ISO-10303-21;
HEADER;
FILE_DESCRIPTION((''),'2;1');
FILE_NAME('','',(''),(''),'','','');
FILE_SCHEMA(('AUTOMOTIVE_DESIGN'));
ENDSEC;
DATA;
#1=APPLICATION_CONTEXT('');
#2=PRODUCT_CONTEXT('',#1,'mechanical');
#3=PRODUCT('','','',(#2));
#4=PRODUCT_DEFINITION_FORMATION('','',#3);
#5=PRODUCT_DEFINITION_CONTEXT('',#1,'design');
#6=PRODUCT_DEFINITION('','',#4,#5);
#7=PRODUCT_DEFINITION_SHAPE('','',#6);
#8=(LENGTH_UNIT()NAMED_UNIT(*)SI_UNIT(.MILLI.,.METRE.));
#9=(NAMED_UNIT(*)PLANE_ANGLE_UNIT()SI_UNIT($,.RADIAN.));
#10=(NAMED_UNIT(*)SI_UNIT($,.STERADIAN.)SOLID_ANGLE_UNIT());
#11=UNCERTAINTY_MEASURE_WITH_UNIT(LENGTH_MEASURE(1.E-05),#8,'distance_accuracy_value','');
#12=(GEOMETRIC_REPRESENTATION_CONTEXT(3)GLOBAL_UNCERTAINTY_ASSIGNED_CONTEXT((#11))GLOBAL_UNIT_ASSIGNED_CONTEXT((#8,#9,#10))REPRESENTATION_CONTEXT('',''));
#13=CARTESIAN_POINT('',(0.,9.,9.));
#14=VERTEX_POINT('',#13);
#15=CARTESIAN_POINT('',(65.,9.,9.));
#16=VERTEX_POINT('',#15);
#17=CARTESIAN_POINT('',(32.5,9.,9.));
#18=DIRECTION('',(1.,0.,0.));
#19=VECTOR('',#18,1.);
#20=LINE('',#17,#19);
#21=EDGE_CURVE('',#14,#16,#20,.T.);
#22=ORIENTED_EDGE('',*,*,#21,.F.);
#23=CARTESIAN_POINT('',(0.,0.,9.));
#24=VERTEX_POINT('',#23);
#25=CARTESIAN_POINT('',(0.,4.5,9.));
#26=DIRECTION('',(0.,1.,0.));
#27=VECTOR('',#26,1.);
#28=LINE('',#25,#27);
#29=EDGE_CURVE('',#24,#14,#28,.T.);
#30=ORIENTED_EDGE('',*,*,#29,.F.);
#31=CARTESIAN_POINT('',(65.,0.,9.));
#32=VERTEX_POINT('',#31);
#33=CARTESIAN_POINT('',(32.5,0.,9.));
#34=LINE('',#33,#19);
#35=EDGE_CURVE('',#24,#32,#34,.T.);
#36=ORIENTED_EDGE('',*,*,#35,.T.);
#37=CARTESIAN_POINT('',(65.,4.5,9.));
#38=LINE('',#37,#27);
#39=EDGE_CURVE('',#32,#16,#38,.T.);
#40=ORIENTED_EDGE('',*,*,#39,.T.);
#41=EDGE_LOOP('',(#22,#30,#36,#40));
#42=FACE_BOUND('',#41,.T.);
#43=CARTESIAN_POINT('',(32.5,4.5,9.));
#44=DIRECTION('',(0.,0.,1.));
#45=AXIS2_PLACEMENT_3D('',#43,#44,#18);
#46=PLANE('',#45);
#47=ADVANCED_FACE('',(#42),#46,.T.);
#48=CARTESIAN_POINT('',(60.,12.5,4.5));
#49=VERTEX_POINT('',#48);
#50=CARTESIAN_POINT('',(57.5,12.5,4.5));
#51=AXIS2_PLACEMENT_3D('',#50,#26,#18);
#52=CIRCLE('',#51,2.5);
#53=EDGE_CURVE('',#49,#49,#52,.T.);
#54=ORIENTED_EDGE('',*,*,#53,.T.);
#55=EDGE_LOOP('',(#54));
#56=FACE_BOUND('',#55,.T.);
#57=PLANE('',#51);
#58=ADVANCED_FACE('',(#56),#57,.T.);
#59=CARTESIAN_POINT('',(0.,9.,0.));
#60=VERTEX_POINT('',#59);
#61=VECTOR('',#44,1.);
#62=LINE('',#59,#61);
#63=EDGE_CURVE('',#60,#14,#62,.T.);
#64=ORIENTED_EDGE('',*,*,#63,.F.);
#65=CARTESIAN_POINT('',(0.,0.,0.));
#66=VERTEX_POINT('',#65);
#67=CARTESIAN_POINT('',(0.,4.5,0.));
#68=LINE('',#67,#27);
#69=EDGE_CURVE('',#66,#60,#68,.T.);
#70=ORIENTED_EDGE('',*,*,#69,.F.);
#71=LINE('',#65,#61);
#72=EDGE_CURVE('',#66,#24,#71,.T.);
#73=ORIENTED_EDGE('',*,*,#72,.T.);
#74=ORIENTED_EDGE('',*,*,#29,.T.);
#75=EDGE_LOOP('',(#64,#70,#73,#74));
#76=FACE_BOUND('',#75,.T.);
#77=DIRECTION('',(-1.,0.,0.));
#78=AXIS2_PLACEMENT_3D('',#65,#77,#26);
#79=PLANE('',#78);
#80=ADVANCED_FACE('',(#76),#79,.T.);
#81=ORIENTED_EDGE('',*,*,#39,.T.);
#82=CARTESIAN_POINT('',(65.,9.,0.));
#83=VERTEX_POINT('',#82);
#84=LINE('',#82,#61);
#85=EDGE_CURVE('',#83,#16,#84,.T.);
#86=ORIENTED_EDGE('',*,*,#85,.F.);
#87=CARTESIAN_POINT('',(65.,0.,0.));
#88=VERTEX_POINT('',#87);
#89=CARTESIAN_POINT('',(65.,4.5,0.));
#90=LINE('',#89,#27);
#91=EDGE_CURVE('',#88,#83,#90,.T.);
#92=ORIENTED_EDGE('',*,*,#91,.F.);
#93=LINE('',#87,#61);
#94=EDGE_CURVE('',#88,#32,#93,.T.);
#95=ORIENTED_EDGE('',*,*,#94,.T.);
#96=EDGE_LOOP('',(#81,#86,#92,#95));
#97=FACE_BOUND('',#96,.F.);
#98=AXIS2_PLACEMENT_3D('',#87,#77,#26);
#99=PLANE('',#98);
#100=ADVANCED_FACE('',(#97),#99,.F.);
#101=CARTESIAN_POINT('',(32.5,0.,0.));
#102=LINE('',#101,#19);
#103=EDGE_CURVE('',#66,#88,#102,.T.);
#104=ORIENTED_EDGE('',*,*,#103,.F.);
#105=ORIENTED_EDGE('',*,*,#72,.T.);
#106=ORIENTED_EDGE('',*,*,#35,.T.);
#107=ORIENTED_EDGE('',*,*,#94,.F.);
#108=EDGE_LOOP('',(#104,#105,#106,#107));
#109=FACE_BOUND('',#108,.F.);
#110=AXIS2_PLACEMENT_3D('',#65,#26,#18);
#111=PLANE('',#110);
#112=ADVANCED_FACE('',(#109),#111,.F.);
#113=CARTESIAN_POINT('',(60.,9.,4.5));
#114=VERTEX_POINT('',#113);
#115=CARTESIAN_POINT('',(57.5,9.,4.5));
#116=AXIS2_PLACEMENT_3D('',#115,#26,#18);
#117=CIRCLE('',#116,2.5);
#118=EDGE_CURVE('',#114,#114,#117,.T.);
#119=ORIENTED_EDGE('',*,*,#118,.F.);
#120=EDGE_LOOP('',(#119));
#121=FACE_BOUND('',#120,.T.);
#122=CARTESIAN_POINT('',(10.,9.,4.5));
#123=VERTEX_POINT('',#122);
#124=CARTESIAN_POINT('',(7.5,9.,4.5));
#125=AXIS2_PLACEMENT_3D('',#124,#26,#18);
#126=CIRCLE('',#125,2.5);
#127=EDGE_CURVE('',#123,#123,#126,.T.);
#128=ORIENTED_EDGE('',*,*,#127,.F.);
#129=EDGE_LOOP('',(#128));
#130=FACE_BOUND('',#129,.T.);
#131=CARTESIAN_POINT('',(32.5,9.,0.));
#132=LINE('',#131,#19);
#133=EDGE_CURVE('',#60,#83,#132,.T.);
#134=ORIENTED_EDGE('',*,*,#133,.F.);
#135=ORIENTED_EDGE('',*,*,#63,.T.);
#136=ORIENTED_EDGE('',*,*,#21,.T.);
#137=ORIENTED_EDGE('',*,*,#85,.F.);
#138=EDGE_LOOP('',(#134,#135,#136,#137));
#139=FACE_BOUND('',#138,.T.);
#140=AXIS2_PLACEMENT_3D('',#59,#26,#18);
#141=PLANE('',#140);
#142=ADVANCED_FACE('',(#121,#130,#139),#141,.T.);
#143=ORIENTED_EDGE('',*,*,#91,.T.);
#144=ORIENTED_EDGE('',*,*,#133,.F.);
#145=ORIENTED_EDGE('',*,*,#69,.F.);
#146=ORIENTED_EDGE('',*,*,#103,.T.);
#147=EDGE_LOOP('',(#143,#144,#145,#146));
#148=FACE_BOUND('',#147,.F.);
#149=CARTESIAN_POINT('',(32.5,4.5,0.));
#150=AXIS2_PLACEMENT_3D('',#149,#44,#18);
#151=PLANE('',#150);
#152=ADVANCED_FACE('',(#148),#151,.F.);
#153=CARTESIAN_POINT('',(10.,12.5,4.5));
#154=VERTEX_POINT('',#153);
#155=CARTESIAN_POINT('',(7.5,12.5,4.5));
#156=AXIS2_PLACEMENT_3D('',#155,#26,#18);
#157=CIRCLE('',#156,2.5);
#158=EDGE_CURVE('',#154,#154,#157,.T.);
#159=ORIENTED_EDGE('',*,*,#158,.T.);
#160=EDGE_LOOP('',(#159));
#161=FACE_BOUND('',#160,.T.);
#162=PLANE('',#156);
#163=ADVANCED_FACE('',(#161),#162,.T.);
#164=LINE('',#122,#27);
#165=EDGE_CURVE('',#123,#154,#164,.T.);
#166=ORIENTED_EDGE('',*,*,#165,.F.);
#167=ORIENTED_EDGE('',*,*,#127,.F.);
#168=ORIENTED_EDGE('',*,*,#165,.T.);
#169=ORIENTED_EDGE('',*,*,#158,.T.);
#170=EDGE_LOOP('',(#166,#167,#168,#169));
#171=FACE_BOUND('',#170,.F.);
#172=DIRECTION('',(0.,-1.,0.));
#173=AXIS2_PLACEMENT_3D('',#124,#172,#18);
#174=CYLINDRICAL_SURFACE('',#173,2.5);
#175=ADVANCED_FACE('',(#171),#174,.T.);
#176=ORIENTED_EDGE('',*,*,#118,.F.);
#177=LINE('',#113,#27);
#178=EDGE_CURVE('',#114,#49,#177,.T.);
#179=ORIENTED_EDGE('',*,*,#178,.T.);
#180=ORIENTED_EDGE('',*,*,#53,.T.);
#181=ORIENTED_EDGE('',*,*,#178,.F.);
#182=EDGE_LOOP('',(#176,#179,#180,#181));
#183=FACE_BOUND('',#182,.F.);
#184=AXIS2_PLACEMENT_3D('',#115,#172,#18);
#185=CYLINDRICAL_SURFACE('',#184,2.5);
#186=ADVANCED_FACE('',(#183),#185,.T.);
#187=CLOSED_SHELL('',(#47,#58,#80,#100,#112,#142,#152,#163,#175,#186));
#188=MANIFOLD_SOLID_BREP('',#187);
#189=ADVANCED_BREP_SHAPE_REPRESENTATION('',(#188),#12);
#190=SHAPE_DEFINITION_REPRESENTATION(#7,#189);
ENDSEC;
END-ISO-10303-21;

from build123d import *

# Parameters (mm, degrees)
SKETCH1_W           = 65
SKETCH1_H           = 9
BOSS_EXTRUDE1_DEPTH = 9
SKETCH2_R           = 2.5
BOSS_EXTRUDE2_DEPTH = 3.5


with BuildPart() as part:
    # Sketch1 → Boss-Extrude1 (new body)
    with BuildSketch(Plane.XY):
        with Locations((32.5, 4.5)):
            Rectangle(SKETCH1_W, SKETCH1_H)
    extrude(amount=BOSS_EXTRUDE1_DEPTH)

    # Sketch2 → Boss-Extrude2 (add)
    with BuildSketch(Plane(origin=(0, 9, 0), x_dir=(1, 0, 0), z_dir=(0, 1, 0))):
        with Locations((57.5, -4.5)):
            Circle(SKETCH2_R)
        with Locations((7.5, -4.5)):
            Circle(SKETCH2_R)
    extrude(amount=BOSS_EXTRUDE2_DEPTH)


solid = part.part
